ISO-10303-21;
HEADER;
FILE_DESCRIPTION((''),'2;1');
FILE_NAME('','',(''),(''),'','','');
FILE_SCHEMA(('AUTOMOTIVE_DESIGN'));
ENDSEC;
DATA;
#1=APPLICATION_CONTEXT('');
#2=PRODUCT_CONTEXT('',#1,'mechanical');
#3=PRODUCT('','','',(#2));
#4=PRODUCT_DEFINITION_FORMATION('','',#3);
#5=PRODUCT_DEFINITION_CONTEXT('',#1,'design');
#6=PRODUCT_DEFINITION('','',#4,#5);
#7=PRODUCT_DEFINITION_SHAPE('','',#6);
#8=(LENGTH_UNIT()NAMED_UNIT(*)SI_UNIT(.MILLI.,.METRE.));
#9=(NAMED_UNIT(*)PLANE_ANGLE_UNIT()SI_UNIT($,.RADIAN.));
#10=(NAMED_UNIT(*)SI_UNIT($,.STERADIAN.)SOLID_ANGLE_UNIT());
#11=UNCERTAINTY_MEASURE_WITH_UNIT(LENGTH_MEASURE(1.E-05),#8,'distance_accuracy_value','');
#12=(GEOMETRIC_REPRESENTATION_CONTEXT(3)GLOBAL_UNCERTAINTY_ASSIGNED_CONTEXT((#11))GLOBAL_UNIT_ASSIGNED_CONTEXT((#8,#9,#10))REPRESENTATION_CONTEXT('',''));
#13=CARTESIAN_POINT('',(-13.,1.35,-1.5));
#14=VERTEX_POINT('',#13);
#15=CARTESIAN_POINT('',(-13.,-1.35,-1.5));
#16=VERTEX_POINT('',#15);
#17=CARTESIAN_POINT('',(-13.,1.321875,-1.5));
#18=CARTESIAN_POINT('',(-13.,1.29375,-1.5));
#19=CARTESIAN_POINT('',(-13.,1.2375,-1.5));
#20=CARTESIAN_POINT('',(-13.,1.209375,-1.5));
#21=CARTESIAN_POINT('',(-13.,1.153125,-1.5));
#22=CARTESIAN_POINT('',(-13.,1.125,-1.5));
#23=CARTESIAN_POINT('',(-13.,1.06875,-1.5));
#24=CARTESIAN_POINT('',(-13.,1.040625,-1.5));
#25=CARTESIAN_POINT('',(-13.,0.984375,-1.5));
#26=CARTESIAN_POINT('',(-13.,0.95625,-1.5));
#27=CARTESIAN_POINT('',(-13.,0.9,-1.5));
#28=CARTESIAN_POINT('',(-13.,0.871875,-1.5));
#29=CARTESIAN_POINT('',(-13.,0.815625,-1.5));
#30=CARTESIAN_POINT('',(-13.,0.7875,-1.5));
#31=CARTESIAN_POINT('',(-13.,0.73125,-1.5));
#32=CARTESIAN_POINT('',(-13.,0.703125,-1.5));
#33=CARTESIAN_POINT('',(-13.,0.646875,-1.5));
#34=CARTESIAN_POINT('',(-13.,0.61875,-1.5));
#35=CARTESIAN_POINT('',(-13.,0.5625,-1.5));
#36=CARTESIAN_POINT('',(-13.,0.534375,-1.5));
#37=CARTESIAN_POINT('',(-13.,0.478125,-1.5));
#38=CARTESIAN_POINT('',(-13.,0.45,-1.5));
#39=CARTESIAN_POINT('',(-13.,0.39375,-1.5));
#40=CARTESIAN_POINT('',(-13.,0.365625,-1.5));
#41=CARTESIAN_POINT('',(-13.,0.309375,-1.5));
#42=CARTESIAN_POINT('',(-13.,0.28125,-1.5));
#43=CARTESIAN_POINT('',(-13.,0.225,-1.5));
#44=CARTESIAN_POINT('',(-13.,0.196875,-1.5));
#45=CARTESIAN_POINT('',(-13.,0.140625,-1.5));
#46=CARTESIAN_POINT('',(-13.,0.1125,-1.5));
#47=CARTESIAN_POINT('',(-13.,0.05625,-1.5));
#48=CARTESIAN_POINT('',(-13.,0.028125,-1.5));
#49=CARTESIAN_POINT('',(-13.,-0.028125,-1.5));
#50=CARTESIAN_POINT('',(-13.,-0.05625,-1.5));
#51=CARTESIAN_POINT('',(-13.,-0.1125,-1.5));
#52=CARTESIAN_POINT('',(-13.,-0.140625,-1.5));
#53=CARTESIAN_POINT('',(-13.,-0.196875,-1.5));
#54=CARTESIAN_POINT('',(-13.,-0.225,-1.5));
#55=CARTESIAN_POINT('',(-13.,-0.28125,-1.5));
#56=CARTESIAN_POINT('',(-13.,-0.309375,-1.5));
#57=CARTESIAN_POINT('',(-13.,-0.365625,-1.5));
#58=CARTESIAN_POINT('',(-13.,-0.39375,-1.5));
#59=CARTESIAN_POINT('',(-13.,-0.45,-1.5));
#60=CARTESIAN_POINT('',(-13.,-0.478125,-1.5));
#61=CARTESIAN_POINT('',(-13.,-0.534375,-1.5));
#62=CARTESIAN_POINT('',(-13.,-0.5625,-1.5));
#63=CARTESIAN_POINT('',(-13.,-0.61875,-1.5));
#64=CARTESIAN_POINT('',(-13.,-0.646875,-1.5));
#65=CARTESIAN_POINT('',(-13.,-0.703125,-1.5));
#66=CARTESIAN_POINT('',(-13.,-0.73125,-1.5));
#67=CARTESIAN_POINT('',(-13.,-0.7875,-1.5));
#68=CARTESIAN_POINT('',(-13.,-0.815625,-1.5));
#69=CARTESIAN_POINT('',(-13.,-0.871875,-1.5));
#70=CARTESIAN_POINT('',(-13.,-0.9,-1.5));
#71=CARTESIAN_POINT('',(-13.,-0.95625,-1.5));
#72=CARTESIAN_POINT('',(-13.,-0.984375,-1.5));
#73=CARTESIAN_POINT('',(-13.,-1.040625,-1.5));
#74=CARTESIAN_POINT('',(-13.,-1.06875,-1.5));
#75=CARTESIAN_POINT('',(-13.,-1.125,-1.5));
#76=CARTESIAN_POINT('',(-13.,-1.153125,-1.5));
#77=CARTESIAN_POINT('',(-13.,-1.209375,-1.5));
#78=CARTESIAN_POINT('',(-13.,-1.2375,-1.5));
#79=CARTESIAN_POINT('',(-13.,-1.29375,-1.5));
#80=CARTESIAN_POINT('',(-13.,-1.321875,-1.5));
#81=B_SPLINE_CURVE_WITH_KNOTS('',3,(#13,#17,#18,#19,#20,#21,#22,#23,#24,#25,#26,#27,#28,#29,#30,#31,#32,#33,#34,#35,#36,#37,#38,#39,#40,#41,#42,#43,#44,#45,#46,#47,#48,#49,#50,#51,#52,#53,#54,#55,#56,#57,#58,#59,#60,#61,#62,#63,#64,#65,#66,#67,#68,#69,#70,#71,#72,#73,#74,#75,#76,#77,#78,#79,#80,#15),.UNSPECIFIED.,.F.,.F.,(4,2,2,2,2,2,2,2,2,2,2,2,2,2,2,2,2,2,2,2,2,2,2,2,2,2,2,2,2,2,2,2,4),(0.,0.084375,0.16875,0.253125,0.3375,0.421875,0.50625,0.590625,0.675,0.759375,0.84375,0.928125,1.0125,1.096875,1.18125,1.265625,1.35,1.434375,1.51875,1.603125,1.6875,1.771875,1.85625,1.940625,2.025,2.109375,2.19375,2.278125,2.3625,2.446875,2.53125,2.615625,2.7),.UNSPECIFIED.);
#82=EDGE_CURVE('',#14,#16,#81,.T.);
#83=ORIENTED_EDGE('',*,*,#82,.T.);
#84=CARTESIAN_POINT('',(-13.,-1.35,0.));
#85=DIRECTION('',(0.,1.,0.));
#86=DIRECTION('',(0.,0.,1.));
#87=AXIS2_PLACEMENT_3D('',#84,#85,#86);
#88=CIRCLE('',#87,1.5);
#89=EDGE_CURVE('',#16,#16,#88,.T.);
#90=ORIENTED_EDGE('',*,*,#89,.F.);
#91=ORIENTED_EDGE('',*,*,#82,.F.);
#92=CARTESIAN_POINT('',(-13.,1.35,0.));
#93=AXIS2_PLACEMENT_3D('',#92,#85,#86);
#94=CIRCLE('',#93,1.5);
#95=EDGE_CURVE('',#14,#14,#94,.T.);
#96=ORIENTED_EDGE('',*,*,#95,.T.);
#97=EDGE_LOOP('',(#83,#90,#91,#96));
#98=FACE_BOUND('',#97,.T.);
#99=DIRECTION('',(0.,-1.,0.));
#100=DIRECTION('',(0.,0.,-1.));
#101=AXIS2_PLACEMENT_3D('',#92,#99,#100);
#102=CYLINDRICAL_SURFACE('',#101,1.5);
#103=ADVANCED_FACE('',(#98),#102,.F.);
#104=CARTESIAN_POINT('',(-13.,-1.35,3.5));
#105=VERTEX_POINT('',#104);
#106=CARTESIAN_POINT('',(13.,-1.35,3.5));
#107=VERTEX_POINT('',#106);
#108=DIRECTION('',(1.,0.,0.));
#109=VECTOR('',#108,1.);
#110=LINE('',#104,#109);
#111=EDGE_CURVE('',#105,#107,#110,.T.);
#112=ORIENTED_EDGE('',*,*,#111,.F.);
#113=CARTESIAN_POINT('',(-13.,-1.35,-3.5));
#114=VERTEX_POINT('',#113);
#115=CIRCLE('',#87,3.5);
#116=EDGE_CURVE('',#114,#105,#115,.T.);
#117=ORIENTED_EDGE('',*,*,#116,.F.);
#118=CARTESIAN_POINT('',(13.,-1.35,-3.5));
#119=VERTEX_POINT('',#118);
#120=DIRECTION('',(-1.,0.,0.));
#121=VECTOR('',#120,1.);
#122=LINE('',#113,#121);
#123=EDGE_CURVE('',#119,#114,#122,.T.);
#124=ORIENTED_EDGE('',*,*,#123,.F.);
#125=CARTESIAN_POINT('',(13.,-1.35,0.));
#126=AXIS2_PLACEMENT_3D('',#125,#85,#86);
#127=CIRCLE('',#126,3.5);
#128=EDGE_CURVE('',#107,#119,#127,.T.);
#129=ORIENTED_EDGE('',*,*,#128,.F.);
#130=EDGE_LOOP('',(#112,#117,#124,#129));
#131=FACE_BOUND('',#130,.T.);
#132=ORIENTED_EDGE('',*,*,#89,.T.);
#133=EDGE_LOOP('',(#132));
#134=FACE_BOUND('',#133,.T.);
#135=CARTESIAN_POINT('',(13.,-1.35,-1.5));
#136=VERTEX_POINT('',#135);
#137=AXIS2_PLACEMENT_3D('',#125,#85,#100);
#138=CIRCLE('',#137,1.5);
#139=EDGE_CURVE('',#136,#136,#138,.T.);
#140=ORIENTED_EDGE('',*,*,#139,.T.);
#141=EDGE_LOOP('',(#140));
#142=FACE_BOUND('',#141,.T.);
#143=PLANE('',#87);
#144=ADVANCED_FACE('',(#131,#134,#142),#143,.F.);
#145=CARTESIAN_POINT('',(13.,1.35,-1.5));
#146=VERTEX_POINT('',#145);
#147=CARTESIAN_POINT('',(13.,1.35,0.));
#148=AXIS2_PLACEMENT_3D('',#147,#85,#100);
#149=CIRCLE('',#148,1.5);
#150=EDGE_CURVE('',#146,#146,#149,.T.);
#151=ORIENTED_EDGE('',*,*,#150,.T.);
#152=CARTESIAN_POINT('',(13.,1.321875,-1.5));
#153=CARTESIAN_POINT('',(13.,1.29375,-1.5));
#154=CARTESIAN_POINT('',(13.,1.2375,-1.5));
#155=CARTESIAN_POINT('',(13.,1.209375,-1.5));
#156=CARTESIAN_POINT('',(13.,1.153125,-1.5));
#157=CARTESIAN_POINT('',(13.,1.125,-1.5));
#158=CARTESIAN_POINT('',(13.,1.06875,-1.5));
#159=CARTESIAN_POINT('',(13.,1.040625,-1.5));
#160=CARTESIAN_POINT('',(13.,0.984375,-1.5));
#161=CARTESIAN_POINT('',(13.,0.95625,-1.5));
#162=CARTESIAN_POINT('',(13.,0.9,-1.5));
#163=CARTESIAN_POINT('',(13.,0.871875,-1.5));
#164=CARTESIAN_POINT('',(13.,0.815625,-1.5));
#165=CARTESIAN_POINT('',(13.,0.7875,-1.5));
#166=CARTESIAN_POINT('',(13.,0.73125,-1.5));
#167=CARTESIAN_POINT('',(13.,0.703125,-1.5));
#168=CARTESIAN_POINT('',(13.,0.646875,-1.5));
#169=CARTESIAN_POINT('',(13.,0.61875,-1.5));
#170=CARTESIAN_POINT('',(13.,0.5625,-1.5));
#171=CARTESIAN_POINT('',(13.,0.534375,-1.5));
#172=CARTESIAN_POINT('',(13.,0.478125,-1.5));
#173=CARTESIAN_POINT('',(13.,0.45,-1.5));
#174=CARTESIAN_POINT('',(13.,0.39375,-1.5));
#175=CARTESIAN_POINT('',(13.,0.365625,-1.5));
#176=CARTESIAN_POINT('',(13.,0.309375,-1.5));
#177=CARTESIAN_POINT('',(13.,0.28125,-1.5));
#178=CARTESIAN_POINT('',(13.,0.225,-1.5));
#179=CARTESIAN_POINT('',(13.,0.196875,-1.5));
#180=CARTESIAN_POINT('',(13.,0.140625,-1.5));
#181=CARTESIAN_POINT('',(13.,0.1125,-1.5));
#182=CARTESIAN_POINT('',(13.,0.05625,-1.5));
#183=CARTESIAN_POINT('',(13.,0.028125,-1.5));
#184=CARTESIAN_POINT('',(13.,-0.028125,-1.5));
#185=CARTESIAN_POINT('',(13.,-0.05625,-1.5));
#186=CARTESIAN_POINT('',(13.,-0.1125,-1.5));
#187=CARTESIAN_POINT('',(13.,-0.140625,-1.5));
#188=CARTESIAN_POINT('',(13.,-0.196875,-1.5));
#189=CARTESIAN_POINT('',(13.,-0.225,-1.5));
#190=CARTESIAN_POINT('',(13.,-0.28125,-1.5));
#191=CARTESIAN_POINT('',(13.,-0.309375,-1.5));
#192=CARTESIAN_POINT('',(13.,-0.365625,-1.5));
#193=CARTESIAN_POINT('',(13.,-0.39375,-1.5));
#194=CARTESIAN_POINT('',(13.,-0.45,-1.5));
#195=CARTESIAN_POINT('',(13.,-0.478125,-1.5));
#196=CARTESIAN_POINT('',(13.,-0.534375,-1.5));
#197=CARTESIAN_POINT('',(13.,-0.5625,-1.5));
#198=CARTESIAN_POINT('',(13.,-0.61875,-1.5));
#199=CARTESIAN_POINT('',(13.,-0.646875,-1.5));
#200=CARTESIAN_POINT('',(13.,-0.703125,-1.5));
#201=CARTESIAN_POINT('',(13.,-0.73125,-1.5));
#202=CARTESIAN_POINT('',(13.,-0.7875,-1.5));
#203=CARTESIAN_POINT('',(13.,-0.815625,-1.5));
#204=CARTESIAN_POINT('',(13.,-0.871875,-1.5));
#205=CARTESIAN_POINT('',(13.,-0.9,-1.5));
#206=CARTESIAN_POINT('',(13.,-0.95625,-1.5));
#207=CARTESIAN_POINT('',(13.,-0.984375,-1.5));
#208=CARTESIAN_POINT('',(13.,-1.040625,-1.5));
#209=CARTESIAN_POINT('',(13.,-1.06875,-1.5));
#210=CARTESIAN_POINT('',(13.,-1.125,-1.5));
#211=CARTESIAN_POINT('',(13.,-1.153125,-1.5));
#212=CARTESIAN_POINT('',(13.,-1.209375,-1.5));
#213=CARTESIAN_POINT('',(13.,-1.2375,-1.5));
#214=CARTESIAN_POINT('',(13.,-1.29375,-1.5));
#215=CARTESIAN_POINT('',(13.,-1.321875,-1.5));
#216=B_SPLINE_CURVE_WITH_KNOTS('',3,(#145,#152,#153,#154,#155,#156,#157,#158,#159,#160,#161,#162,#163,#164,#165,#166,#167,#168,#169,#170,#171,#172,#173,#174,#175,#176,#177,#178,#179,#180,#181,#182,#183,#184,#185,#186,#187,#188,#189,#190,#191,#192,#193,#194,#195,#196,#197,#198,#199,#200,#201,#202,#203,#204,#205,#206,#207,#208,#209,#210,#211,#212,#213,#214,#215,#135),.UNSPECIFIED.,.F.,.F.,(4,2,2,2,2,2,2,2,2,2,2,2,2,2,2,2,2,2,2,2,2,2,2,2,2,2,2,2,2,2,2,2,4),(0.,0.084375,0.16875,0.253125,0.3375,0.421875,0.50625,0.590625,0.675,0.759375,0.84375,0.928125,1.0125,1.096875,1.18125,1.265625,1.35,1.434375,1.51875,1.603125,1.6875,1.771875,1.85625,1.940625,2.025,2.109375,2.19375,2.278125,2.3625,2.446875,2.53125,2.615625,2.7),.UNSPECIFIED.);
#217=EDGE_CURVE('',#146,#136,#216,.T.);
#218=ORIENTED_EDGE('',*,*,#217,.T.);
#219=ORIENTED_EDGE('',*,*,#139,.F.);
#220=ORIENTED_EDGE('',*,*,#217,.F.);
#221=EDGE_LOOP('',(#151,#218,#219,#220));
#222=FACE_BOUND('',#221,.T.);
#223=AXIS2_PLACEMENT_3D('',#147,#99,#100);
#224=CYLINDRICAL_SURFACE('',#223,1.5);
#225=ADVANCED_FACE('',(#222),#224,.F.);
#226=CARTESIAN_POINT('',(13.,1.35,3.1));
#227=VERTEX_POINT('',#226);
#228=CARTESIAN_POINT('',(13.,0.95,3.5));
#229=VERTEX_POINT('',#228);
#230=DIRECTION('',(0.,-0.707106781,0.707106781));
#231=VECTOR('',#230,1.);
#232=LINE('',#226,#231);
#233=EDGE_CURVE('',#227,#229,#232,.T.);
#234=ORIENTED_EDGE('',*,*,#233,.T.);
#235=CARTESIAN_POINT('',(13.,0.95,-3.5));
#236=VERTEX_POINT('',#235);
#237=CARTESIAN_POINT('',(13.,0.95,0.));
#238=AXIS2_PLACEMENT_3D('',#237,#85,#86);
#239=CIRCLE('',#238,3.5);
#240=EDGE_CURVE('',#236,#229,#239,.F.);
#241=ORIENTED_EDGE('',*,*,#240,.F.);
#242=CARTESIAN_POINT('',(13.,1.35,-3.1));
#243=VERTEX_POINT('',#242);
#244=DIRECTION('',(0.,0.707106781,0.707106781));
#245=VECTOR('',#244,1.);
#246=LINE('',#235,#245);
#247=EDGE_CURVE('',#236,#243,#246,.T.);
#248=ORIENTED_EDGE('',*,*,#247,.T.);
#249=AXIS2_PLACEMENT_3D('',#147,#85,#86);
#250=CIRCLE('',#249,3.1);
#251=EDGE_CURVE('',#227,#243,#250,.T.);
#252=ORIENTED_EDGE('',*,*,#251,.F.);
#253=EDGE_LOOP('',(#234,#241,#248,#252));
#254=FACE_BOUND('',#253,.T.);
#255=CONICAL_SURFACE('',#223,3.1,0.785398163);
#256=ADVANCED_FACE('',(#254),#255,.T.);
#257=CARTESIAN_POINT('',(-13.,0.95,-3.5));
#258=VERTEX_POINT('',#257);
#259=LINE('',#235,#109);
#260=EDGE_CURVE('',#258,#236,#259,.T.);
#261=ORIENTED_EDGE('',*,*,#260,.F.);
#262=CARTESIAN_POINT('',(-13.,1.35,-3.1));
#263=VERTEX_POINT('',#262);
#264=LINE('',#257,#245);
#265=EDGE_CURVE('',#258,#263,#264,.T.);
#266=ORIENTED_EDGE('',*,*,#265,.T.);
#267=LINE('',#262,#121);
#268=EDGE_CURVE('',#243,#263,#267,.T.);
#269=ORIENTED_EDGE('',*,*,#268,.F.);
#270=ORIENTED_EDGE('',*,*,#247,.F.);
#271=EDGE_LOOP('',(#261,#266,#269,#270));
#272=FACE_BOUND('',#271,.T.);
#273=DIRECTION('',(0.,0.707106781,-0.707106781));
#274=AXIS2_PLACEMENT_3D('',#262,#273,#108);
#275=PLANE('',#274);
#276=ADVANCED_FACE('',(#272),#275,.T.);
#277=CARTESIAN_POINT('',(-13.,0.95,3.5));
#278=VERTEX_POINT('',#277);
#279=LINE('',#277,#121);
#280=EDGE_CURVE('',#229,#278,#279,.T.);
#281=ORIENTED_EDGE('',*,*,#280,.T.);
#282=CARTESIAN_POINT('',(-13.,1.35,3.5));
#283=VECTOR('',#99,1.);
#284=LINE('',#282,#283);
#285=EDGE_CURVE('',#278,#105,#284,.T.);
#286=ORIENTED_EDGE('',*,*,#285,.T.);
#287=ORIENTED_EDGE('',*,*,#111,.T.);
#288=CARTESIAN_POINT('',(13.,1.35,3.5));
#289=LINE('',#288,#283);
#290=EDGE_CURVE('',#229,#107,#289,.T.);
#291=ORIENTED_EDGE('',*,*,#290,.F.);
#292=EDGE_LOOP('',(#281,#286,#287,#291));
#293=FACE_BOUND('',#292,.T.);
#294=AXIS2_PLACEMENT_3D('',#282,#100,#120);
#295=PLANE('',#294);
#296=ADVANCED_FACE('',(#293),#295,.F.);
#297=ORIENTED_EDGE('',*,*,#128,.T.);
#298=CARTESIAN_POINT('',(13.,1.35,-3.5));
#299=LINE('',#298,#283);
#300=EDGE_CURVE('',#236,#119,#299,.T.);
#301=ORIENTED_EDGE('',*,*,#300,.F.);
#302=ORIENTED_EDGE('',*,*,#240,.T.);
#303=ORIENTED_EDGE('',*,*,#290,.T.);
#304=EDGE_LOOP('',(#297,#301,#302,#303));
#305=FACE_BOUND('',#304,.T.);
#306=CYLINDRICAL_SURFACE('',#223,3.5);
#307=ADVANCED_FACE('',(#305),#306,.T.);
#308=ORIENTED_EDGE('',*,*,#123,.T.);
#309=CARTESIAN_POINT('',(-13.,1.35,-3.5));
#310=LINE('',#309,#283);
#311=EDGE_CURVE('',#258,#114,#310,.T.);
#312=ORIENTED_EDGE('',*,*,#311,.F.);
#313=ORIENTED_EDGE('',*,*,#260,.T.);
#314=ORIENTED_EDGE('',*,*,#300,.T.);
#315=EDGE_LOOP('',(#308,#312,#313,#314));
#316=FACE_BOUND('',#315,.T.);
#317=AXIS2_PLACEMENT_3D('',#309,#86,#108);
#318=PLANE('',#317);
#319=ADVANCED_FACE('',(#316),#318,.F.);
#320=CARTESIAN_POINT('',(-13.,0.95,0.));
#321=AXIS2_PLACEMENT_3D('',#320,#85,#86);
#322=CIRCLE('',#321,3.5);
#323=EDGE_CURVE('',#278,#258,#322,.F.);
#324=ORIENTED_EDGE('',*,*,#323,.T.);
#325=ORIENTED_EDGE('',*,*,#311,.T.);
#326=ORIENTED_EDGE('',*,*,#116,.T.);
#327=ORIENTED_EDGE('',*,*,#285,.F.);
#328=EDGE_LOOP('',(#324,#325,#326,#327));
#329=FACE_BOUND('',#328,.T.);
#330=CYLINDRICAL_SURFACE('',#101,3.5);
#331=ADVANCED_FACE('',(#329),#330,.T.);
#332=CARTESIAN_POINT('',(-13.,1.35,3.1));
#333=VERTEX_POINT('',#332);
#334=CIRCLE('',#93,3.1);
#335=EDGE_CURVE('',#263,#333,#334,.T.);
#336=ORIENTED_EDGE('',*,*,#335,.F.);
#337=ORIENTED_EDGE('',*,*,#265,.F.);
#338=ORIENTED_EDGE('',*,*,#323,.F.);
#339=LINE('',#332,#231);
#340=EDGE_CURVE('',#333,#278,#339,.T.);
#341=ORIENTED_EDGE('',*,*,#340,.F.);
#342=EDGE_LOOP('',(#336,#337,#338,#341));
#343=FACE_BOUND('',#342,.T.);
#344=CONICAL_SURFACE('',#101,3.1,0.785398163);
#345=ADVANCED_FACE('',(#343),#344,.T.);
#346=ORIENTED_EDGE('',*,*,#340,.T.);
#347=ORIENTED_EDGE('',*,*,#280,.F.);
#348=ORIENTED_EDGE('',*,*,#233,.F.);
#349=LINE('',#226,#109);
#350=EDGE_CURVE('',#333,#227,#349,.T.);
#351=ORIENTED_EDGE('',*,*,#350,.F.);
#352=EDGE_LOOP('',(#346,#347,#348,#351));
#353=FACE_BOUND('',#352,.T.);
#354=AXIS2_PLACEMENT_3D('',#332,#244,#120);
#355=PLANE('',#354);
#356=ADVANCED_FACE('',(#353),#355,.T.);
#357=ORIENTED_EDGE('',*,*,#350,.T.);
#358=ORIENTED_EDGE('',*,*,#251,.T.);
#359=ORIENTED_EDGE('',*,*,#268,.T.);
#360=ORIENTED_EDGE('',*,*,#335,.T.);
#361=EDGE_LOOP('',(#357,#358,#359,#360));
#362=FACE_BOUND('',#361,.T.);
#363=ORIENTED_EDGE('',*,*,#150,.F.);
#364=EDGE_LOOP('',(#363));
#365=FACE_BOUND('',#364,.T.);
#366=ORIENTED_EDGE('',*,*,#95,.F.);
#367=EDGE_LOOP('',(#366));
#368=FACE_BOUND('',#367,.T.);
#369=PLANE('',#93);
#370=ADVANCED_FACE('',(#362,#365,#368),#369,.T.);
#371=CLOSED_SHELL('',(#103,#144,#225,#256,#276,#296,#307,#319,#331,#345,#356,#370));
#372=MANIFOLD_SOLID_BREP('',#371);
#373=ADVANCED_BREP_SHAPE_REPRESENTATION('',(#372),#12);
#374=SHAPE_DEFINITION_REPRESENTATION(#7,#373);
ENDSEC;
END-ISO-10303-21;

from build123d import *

# Parameters (mm, degrees)
SKETCH1_R           = 1.5
BOSS_EXTRUDE1_DEPTH = 1.35
CHAMFER1_SIZE       = 0.4


with BuildPart() as part:
    # Sketch1 → Boss-Extrude1 (new, symmetric)
    with BuildSketch(Plane(origin=(0, 0, 0), x_dir=(1, 0, 0), z_dir=(0, 1, 0))):
        with BuildLine():
            Line((-13, 3.5), (13, 3.5))
            ThreePointArc((13, 3.5), (16.5, 0), (13, -3.5))
            Line((13, -3.5), (-13, -3.5))
            ThreePointArc((-13, -3.5), (-16.5, 0), (-13, 3.5))
        make_face()
        with Locations(Location((-13, 0, 0), (0, 0, 90))):
            Circle(SKETCH1_R, mode=Mode.SUBTRACT)
        with Locations(Location((13, 0, 0), (0, 0, 90))):
            Circle(SKETCH1_R, mode=Mode.SUBTRACT)
    extrude(amount=BOSS_EXTRUDE1_DEPTH, both=True)

    # Chamfer1
    chamfer1_edges = [part.edges().sort_by_distance(p)[0] for p in [
        (16.5, 1.35, 0),
        (0, 1.35, -3.5),
        (-16.5, 1.35, 0),
        (0, 1.35, 3.5),
    ]]
    chamfer(chamfer1_edges, length=CHAMFER1_SIZE)


solid = part.part
